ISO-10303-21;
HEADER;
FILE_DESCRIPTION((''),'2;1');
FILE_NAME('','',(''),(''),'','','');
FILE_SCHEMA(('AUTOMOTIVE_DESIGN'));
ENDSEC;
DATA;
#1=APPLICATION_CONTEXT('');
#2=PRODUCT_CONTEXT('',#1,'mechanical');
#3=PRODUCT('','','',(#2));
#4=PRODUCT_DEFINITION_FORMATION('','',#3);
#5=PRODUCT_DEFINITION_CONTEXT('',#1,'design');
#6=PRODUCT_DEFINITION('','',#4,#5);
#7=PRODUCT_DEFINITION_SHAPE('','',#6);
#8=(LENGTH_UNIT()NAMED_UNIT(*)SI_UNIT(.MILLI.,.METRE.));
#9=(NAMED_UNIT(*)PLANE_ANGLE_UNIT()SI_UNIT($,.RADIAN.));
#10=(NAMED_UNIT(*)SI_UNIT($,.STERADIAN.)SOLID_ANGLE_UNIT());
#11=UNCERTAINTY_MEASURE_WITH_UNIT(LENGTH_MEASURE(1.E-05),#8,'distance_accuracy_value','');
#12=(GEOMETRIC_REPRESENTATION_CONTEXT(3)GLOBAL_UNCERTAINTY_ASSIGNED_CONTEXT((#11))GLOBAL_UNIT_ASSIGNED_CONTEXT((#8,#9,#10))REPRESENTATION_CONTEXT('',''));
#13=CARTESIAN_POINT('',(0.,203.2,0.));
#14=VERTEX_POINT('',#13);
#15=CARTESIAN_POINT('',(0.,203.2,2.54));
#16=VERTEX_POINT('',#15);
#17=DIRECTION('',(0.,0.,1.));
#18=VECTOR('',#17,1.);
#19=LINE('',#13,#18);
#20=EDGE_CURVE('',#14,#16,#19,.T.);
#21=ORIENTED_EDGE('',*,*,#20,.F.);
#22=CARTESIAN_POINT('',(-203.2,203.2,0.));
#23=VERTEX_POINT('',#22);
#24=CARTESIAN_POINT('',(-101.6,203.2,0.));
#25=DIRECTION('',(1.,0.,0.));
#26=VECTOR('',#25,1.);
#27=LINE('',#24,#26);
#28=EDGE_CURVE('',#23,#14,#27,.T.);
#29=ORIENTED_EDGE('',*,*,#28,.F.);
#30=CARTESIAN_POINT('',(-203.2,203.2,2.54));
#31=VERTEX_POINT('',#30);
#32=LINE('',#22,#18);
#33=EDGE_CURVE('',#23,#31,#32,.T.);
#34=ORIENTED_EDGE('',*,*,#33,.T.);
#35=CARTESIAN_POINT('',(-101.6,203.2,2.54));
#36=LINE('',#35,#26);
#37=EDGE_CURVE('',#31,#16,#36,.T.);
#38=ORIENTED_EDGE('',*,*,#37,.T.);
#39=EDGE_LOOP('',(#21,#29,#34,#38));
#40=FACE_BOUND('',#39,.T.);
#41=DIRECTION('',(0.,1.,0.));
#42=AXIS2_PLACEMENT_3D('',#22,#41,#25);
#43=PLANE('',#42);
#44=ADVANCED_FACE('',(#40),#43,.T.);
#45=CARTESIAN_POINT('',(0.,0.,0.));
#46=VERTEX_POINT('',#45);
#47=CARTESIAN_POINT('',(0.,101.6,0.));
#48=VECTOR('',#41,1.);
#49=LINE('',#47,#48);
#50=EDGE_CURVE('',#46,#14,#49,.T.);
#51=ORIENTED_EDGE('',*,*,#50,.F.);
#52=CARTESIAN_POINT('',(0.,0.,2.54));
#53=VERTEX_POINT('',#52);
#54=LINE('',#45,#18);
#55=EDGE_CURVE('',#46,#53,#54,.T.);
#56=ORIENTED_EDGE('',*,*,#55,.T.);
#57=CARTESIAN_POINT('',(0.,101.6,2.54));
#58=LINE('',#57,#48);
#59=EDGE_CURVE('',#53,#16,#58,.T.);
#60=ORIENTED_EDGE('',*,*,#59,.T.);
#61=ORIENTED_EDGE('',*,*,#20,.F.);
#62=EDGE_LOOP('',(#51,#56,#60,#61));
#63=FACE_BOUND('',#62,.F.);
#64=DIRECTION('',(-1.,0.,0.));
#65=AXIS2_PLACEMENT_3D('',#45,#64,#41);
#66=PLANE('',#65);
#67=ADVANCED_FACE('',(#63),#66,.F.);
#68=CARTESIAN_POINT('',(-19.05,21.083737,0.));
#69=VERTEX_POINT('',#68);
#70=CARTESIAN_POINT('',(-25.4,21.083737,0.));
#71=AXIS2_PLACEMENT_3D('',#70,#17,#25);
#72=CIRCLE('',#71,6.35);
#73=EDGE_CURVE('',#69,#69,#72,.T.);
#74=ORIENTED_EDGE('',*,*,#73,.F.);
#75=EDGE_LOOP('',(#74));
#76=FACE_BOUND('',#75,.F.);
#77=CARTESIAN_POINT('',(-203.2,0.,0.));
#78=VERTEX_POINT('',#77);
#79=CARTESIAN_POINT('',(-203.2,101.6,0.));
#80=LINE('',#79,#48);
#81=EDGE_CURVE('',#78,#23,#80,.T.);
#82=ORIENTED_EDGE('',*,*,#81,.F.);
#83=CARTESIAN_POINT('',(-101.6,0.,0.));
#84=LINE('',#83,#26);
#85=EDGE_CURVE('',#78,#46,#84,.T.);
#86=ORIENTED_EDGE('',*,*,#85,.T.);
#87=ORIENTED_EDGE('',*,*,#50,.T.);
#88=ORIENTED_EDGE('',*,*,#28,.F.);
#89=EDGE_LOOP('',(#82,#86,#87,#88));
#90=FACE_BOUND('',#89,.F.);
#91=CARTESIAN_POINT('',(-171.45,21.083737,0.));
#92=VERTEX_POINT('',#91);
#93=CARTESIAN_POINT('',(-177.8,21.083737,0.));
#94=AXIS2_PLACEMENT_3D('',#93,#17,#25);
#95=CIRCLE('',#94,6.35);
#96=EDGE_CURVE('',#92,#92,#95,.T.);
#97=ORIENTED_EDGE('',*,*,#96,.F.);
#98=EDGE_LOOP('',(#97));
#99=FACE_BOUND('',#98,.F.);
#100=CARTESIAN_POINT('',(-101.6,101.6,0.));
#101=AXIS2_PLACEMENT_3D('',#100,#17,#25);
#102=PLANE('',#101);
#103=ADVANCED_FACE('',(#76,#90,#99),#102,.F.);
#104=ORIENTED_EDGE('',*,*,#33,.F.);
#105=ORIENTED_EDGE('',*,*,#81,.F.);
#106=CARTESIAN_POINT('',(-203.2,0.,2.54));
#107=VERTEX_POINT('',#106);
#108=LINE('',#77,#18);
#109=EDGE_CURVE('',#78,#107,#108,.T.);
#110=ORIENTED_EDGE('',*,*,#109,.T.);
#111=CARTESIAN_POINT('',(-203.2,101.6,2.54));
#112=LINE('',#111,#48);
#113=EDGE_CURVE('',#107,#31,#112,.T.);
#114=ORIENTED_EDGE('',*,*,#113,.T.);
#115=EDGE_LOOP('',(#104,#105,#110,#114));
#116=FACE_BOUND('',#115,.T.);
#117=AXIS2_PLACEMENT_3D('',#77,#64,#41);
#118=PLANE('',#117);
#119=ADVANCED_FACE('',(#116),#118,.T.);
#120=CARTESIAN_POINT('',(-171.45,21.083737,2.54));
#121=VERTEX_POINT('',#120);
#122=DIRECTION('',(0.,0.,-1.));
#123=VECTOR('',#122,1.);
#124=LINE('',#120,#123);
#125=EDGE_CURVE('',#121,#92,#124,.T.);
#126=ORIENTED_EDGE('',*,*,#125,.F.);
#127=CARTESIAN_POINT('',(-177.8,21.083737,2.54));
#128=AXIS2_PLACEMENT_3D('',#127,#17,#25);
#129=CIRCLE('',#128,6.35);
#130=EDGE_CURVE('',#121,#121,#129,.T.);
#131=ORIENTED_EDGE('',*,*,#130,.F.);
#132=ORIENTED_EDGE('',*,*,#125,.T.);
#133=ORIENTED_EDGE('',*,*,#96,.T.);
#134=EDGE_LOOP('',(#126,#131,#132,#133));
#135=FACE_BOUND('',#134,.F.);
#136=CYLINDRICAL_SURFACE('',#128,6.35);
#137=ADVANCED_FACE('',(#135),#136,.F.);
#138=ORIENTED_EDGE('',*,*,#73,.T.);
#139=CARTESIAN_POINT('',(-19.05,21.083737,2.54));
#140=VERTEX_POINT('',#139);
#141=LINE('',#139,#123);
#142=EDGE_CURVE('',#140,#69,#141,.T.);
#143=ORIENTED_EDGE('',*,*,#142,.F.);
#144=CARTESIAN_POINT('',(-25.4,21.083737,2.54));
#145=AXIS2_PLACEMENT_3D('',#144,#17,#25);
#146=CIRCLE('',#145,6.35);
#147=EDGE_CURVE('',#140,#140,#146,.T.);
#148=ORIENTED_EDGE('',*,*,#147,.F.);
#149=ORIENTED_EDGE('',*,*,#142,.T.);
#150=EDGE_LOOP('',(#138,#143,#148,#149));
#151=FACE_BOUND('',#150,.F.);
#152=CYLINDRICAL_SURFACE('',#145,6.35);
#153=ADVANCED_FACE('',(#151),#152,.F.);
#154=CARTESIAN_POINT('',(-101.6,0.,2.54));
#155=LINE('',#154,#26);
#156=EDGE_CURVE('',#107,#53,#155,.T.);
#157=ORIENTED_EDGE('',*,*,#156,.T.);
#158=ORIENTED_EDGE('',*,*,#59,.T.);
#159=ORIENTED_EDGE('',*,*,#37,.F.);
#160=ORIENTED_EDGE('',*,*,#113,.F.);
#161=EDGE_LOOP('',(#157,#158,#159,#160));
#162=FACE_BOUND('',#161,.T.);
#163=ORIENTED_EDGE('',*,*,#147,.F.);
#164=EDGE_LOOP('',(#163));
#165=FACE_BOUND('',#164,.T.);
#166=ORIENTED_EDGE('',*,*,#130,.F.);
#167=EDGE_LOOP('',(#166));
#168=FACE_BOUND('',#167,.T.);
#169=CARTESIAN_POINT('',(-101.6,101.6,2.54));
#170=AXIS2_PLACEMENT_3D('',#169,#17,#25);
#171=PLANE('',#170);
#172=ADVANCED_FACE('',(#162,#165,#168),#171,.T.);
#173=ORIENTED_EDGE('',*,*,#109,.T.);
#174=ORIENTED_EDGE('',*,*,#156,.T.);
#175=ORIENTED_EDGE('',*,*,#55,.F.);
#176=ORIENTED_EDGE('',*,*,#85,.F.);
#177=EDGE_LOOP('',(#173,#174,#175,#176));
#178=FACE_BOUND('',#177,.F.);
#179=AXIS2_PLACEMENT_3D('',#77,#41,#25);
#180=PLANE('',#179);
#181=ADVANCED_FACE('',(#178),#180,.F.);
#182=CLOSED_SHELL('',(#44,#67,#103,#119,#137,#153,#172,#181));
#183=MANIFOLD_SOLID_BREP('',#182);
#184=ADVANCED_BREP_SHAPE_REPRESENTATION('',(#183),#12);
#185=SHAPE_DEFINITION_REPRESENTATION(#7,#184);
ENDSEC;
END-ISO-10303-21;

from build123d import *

# Parameters (mm, degrees)
F0_W     = 203.2
F0_H     = 203.2
F1_DEPTH = 2.54
F3_DEPTH = 25.4
F2_R     = 6.35
F4_DEPTH = 25.4


with BuildPart() as f1:
    # F0 (on Top) → F1 (new body)
    with BuildSketch(Plane.XY):
        with Locations((-101.6, 101.6)):
            Rectangle(F0_W, F0_H)
    extrude(amount=F1_DEPTH)

    # F2 (on face) → F3 (cut)
    with BuildSketch(Plane.XY.offset(2.54)):
        with BuildLine():
            ThreePointArc((-184.15, 21.083737), (-177.8, 14.733737), (-171.45, 21.083737))
            ThreePointArc((-171.45, 21.083737), (-177.8, 27.433737), (-184.15, 21.083737))
        make_face()
    extrude(amount=-F3_DEPTH, mode=Mode.SUBTRACT)

    # F2 (on face) → F4 (cut)
    with BuildSketch(Plane.XY.offset(2.54)):
        with BuildLine():
            ThreePointArc((-184.15, 21.083737), (-177.8, 14.733737), (-171.45, 21.083737))
            ThreePointArc((-171.45, 21.083737), (-177.8, 27.433737), (-184.15, 21.083737))
        make_face()
        with Locations((-25.4, 21.083737)):
            Circle(F2_R)
    extrude(amount=-F4_DEPTH, mode=Mode.SUBTRACT)


solid = f1.part
